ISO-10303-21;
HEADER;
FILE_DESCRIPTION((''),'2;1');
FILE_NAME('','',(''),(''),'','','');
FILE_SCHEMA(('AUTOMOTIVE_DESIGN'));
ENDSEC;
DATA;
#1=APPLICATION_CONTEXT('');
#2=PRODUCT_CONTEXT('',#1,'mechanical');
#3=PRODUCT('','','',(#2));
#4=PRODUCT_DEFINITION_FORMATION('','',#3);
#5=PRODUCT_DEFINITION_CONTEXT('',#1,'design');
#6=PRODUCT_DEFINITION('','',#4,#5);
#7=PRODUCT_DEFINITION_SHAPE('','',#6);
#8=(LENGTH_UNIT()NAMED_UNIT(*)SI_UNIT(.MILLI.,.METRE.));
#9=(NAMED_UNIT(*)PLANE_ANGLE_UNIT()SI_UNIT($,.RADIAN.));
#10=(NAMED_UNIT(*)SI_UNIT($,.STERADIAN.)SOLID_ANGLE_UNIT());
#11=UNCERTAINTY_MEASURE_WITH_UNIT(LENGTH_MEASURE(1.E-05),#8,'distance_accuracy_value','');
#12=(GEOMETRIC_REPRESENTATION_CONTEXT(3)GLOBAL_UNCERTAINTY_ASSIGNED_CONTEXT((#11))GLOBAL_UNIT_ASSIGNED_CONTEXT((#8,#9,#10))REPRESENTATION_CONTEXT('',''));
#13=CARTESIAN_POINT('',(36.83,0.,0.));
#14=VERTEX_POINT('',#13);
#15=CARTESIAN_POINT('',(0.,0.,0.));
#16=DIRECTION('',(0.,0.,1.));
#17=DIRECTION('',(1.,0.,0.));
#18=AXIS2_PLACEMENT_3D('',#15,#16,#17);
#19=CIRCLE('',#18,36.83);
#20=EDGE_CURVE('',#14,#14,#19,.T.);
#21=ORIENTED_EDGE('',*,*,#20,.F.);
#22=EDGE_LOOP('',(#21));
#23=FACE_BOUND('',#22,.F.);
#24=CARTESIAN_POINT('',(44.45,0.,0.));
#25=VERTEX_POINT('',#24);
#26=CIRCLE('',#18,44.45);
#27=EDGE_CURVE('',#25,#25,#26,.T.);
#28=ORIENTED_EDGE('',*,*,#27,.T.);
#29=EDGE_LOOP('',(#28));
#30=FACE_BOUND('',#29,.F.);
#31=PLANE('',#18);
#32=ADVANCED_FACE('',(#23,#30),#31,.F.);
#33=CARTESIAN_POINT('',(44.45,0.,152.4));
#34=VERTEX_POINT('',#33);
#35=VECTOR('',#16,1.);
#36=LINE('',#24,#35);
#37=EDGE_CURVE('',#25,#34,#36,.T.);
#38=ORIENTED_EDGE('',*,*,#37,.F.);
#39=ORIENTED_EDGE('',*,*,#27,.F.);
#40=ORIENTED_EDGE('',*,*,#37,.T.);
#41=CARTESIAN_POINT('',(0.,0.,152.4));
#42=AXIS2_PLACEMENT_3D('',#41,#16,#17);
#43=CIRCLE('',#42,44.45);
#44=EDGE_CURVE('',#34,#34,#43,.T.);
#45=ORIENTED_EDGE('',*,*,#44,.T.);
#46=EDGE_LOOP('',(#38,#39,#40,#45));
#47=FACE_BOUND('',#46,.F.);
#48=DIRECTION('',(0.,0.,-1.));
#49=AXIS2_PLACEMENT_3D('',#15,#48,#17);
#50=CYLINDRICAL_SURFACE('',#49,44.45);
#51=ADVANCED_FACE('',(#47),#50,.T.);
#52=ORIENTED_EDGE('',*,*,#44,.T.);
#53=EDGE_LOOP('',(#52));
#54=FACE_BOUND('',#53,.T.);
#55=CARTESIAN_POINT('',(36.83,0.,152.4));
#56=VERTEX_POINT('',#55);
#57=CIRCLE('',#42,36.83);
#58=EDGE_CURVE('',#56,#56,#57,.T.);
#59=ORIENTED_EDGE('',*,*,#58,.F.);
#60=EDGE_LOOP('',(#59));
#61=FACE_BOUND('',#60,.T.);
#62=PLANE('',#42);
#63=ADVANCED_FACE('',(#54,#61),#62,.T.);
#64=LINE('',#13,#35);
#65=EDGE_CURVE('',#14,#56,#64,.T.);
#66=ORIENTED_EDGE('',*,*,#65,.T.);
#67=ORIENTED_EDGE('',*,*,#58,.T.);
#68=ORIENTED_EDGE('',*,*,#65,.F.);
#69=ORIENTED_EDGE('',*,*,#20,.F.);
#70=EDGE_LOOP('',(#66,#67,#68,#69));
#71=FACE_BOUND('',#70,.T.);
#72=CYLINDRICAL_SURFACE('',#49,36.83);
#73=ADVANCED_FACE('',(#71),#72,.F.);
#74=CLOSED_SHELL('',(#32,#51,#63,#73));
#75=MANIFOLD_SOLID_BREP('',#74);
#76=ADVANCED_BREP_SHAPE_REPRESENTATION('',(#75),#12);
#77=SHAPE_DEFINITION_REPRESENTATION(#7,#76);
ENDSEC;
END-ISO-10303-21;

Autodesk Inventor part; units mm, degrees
ref_plane "YZ Plane" through (0, 0, 0) normal (1, 0, 0) x (0, 1, 0)
ref_plane "XZ Plane" through (0, 0, 0) normal (0, 1, 0) x (-1, 0, 0)
ref_plane "XY Plane" through (0, 0, 0) normal (0, 0, 1) x (1, 0, 0)
sketch "Sketch1" plane through (0, 0, 0) normal (0, 0, 1) x (1, 0, 0)
  circle A0 centre (0, 0) radius 44.45
  circle A1 centre (0, 0) radius 36.83
  dimension "d0" = 88.9
  dimension "d1" = 73.66
extrude "Extrusion1" add sketch "Sketch1" along normal blind 152.4
properties part number "A1-18002-100-28 2.25in bar tube socket" material "PVC-Piping"
